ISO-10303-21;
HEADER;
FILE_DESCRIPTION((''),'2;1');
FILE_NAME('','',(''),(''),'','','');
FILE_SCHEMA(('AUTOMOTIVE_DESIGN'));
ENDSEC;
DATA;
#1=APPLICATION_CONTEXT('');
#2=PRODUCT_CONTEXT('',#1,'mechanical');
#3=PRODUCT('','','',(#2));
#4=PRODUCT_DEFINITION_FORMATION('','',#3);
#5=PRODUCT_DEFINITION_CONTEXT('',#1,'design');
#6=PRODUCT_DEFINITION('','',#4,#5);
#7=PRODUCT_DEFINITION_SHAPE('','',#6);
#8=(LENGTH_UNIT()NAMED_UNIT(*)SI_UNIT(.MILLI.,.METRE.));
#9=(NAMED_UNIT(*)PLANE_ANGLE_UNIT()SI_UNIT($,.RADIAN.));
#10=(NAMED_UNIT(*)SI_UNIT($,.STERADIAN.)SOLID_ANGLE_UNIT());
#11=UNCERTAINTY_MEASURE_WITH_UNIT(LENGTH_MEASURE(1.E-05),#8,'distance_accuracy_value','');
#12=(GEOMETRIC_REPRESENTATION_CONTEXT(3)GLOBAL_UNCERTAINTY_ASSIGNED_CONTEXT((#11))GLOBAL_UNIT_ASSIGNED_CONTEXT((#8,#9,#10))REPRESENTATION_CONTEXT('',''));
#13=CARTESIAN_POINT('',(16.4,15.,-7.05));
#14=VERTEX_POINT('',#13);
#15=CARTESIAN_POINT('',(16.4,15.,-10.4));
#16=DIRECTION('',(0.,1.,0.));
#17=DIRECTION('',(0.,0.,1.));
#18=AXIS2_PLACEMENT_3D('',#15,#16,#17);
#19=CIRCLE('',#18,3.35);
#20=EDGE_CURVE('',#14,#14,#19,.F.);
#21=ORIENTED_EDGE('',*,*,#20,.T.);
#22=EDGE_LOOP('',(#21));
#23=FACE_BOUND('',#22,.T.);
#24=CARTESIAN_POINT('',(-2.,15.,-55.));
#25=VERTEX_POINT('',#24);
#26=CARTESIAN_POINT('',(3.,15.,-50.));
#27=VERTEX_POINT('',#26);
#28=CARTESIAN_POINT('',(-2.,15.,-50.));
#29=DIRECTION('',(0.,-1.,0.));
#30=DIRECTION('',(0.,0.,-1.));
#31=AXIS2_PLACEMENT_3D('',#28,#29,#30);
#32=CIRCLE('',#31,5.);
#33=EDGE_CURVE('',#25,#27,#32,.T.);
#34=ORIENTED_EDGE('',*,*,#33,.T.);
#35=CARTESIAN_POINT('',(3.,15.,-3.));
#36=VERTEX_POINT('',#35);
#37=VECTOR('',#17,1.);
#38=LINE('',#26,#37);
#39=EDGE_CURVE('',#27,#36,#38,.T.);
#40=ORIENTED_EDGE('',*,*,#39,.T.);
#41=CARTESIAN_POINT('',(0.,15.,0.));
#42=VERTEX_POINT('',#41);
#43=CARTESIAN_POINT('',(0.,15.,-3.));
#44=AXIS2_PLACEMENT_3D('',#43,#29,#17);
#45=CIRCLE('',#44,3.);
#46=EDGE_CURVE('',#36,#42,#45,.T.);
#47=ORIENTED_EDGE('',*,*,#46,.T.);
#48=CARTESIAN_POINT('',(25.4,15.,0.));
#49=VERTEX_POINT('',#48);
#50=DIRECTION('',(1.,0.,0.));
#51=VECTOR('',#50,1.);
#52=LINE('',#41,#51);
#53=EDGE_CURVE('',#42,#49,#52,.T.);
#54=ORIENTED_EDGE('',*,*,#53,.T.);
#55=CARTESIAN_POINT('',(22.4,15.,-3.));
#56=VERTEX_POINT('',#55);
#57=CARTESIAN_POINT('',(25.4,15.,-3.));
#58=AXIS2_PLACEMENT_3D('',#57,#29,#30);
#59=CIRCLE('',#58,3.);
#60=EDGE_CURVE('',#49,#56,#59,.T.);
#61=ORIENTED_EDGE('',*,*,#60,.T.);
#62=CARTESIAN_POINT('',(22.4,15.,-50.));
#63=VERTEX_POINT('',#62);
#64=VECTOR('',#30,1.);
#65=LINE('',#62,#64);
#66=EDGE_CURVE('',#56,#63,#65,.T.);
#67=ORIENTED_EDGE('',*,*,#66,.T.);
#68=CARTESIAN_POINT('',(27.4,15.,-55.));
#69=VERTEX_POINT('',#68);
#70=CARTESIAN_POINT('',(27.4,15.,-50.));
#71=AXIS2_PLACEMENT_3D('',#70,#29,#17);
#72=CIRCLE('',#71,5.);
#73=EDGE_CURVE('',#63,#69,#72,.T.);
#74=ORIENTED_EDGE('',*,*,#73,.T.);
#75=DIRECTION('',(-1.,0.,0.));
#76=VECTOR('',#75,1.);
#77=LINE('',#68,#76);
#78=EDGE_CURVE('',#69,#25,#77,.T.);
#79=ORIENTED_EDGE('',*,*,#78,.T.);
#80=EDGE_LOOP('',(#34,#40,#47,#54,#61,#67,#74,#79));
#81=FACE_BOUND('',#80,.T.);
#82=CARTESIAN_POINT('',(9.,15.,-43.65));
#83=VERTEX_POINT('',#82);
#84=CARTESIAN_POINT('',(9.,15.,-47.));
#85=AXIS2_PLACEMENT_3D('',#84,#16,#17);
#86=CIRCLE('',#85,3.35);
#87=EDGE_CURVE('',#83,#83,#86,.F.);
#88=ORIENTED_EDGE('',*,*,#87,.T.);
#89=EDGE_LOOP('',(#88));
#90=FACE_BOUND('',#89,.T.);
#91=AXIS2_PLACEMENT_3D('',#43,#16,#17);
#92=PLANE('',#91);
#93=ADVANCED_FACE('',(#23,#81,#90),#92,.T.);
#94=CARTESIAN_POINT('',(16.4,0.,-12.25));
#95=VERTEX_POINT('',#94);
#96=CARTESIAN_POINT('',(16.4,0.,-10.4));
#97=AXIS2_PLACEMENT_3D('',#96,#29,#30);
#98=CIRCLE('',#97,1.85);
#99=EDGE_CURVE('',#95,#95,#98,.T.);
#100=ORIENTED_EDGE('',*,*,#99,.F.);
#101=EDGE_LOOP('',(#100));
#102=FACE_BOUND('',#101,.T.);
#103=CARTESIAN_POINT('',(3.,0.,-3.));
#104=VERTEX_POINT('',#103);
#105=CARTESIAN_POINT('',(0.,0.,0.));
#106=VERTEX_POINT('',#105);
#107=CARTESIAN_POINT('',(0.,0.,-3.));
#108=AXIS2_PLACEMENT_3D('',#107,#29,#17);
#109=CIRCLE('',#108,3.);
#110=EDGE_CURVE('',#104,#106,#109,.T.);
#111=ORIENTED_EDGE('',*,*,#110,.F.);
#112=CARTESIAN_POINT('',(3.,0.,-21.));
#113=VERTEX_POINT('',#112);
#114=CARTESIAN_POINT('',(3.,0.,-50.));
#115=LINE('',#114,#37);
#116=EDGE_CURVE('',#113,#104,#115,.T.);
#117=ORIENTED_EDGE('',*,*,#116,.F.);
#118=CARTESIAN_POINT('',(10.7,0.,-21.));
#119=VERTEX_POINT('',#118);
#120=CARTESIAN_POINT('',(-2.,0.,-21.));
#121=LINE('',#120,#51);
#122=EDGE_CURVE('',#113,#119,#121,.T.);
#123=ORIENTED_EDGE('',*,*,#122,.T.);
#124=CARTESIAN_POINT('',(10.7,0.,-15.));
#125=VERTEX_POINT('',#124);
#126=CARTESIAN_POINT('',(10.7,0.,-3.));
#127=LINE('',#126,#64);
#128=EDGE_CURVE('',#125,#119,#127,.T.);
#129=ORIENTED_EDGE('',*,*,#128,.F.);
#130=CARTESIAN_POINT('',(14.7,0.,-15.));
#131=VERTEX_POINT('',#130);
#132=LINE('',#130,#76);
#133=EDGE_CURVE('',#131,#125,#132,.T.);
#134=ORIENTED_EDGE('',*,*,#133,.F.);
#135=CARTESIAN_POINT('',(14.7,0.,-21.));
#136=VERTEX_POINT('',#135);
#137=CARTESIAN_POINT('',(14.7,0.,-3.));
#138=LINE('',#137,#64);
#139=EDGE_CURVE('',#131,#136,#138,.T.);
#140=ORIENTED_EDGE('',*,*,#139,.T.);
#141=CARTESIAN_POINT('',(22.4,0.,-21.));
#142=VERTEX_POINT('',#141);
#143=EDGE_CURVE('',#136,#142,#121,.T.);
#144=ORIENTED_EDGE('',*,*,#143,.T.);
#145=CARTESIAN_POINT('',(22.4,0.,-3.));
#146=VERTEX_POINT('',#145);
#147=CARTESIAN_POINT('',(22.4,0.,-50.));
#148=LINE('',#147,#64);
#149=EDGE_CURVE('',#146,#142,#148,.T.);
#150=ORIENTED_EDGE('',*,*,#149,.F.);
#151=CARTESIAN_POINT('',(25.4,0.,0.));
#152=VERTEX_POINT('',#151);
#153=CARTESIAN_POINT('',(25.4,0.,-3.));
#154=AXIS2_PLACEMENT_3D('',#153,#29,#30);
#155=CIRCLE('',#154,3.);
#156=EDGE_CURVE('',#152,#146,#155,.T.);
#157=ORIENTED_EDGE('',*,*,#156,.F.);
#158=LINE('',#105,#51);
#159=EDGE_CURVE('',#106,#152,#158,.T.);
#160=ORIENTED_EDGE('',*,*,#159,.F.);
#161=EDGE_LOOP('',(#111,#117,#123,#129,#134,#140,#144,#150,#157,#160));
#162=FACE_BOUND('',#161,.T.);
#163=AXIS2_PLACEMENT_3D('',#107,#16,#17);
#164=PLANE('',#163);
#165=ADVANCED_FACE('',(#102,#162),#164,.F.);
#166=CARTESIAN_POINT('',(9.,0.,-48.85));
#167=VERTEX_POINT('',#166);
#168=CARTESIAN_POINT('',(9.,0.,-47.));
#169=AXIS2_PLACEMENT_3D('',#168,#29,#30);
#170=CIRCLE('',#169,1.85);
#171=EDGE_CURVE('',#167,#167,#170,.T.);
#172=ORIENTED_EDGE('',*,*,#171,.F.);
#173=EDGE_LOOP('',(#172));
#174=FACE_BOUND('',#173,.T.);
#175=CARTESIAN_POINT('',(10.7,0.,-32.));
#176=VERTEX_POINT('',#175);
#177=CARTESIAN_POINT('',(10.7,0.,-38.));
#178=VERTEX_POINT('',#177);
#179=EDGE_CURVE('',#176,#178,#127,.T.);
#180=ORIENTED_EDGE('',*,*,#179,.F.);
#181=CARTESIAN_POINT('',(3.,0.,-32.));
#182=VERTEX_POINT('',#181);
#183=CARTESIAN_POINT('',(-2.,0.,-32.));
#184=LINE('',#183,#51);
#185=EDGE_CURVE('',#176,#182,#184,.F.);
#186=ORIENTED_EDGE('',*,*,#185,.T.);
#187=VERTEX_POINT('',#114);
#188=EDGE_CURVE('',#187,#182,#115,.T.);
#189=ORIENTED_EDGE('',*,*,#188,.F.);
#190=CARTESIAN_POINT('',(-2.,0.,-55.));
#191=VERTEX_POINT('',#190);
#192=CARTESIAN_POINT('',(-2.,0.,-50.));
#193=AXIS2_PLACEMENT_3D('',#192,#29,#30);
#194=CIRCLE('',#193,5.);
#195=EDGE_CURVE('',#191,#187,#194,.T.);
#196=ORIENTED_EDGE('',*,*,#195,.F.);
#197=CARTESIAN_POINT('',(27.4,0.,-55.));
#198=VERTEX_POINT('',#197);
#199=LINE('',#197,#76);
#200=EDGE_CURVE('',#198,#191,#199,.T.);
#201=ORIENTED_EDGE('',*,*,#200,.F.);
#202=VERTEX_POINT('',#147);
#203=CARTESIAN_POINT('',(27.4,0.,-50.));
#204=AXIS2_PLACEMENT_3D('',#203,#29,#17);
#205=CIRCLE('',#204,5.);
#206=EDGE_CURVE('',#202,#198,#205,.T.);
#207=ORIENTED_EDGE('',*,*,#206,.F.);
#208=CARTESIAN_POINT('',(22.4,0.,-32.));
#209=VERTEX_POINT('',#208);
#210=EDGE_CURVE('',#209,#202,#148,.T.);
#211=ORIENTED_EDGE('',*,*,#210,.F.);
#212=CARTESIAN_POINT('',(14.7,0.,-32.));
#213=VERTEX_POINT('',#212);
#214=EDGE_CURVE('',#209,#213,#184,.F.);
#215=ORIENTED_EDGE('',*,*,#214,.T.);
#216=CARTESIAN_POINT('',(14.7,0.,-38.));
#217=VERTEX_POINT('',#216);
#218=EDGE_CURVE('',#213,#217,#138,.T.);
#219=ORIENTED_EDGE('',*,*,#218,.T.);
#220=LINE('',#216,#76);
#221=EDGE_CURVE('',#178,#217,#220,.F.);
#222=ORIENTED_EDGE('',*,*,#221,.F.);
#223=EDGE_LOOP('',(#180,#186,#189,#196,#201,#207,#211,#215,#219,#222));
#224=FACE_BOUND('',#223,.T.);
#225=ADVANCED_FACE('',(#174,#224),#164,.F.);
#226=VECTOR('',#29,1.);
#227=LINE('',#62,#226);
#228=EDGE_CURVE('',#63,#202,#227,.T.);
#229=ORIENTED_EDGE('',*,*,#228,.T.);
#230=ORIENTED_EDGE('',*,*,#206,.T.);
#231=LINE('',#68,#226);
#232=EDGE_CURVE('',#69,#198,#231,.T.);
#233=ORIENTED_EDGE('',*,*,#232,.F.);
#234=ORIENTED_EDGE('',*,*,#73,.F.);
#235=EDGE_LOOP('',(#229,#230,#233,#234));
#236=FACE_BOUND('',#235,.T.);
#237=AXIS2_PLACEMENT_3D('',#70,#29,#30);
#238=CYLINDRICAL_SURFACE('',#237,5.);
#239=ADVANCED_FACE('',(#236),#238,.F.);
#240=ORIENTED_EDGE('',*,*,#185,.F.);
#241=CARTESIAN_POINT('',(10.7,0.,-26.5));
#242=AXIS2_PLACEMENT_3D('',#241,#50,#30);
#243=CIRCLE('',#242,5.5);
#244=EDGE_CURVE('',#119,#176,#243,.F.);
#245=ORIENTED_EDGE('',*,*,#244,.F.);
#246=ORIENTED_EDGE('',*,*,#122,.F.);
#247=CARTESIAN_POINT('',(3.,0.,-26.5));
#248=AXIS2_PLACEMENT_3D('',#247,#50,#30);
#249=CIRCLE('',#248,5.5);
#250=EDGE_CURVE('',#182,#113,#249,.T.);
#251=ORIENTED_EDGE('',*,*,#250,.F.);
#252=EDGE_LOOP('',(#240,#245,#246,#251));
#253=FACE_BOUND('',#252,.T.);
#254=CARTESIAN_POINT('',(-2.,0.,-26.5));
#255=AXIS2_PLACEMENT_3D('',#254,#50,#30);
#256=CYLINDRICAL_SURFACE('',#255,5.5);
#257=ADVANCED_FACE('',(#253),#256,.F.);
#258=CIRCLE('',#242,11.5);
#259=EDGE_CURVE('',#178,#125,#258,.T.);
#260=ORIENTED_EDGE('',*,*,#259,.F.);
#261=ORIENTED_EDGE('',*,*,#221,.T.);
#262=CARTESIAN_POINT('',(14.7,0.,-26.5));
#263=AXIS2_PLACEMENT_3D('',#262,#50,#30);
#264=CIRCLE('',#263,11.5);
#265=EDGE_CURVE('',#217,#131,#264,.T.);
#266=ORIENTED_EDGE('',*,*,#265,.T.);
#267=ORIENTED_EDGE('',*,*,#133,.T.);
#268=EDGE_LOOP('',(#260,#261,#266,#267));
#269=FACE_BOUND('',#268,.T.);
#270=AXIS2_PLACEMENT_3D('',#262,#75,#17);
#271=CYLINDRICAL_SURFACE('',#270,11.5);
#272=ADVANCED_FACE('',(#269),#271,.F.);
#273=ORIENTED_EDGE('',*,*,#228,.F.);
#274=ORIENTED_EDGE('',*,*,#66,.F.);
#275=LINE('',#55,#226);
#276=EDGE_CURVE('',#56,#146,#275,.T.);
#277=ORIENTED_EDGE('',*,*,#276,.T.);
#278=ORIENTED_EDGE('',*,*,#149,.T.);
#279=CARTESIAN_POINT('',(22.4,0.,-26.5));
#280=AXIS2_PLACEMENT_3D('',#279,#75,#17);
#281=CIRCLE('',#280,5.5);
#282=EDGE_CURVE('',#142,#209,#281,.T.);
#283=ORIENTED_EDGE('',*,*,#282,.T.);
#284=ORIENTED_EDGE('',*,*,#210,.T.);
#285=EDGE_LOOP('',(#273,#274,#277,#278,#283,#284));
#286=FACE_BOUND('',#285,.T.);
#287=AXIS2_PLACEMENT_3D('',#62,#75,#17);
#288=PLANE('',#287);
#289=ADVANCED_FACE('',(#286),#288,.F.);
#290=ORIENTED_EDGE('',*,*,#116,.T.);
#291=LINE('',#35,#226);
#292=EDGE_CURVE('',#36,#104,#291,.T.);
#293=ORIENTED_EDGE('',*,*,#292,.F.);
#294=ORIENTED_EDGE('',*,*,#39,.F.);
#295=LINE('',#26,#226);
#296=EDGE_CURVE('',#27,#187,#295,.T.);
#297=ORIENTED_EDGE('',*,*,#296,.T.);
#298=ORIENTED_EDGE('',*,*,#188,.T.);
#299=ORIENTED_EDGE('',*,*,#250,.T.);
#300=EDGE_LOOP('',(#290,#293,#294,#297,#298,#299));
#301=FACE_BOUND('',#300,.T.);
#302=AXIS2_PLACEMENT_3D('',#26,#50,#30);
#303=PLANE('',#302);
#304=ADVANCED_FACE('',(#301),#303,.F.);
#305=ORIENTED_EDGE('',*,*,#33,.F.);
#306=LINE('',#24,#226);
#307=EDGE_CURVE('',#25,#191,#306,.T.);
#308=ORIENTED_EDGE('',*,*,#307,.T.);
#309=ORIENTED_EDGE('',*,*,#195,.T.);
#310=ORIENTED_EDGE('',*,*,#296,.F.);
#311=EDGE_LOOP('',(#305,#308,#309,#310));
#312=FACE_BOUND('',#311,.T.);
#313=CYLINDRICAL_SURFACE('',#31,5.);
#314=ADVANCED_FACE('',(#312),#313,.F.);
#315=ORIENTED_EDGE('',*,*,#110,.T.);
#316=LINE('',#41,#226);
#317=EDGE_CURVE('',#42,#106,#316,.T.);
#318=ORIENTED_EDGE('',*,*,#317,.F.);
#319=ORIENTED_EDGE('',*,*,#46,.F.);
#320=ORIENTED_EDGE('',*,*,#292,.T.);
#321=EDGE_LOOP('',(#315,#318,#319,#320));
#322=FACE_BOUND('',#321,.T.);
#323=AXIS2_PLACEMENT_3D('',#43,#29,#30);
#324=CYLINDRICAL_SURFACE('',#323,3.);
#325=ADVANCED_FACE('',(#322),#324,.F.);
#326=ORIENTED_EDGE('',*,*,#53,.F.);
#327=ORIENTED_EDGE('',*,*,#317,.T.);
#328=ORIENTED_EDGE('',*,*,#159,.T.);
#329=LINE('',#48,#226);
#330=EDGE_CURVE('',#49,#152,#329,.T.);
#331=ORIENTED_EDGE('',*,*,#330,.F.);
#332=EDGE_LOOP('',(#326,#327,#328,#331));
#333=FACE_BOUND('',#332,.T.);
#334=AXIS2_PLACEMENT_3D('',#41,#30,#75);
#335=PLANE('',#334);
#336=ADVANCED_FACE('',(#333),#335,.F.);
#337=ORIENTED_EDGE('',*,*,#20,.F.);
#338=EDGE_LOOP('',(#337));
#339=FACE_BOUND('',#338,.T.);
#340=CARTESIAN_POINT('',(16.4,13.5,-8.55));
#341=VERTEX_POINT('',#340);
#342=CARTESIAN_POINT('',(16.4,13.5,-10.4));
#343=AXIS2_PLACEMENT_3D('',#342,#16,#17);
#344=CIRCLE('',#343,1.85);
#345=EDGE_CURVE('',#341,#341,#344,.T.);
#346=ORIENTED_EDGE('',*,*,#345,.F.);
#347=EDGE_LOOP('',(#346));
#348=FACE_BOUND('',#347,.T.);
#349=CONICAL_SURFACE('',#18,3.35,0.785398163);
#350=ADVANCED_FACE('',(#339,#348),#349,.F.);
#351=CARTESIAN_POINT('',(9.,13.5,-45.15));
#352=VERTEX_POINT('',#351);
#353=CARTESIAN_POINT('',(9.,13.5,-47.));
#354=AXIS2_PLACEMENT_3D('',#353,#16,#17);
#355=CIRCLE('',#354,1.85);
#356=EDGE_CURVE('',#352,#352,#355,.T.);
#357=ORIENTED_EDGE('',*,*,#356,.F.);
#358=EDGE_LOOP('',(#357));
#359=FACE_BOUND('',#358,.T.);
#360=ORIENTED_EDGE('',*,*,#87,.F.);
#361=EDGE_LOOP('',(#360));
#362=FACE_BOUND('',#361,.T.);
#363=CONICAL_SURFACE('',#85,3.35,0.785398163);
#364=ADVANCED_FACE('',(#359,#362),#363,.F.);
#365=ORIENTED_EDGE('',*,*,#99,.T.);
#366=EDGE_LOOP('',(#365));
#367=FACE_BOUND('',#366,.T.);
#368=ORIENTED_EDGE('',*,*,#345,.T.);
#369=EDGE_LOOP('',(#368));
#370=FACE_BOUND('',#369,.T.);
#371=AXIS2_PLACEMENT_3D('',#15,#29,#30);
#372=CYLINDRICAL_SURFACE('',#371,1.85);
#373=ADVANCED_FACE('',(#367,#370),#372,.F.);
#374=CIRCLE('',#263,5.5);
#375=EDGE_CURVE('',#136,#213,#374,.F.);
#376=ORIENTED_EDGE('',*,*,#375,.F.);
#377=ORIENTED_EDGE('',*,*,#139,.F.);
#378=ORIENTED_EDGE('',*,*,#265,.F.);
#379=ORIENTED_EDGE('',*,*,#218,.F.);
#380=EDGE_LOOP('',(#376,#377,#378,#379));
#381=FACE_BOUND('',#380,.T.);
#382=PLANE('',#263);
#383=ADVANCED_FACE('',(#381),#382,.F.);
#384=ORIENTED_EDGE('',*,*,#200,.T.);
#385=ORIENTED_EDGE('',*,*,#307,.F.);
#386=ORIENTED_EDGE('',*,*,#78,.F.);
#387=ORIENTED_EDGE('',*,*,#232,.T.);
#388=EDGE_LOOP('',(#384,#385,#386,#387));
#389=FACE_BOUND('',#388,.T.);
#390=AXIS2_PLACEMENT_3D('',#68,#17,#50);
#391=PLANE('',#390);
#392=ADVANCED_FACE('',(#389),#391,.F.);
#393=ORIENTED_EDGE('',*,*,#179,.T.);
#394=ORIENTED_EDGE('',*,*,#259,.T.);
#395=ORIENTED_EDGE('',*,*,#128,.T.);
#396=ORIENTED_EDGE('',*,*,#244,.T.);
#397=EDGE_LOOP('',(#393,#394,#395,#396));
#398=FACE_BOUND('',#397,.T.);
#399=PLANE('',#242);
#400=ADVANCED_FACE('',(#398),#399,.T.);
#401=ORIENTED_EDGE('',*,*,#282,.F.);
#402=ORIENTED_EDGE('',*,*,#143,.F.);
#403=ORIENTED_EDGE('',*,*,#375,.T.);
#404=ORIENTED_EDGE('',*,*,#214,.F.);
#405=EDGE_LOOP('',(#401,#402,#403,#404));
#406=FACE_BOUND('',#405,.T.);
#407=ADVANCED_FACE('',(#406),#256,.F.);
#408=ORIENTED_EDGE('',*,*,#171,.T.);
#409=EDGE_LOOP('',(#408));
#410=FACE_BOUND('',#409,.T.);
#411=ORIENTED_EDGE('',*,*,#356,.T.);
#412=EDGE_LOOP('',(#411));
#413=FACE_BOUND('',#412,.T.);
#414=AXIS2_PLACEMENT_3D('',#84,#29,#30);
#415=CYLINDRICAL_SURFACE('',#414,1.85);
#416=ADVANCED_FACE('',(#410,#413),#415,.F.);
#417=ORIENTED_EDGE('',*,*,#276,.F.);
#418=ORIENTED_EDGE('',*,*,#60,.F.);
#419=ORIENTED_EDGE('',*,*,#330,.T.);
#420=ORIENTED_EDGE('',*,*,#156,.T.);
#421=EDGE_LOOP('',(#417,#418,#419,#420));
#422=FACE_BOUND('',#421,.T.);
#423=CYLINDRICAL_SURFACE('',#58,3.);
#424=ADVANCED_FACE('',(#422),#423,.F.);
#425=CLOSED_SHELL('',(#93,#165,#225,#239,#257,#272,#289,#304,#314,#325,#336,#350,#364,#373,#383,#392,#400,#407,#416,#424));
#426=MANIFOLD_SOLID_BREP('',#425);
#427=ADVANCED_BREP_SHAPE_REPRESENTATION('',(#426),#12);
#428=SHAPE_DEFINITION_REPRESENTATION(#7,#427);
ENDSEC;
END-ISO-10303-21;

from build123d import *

# Parameters (mm, degrees)
RESSALTO_EXTRUS_O1_DEPTH   = 15
CORTE_EXTRUS_O1_DEPTH      = 59.873508474
CORTE_EXTRUS_O1_DEPTH_BACK = 59.873508474
ESBO_O3_R                  = 5.5
CORTE_EXTRUS_O2_DEPTH      = 2
CORTE_EXTRUS_O2_DEPTH_BACK = 2
ESBO_O4_R                  = 11.5
ESBO_O6_R                  = 1.85
CORTE_EXTRUS_O4_DEPTH      = 64.251561246
CHANFRO1_SIZE              = 1.5


with BuildPart() as part:
    # Esboço1 → Ressalto-extrusão1 (new body)
    with BuildSketch(Plane(origin=(0, 0, 0), x_dir=(1, 0, 0), z_dir=(0, 1, 0))):
        with BuildLine():
            Line((3, 50), (3, 3))
            ThreePointArc((3, 3), (2.121320344, 0.878679656), (0, 0))
            Line((0, 0), (25.4, 0))
            ThreePointArc((25.4, 0), (23.278679656, 0.878679656), (22.4, 3))
            Line((22.4, 3), (22.4, 50))
            ThreePointArc((22.4, 50), (23.864466094, 53.535533906), (27.4, 55))
            Line((27.4, 55), (-2, 55))
            ThreePointArc((-2, 55), (1.535533906, 53.535533906), (3, 50))
        make_face()
    extrude(amount=RESSALTO_EXTRUS_O1_DEPTH)

    # Esboço3 → Corte-extrusão1 (cut, two sides: drawn at the far end of the back side and taken through both)
    with BuildSketch(Plane(origin=(12.7, 0, 0), x_dir=(0, 0, -1), z_dir=(1, 0, 0)).offset(-CORTE_EXTRUS_O1_DEPTH_BACK)):
        with Locations((26.5, 0)):
            Circle(ESBO_O3_R)
    extrude(amount=CORTE_EXTRUS_O1_DEPTH + CORTE_EXTRUS_O1_DEPTH_BACK, mode=Mode.SUBTRACT)

    # Esboço4 → Corte-extrusão2 (cut, two sides: drawn at the far end of the back side and taken through both)
    with BuildSketch(Plane(origin=(12.7, 0, 0), x_dir=(0, 0, -1), z_dir=(1, 0, 0)).offset(-CORTE_EXTRUS_O2_DEPTH_BACK)):
        with Locations((26.5, 0)):
            Circle(ESBO_O4_R)
    extrude(amount=CORTE_EXTRUS_O2_DEPTH + CORTE_EXTRUS_O2_DEPTH_BACK, mode=Mode.SUBTRACT)

    # Esboço6 → Corte-extrusão4 (cut, through all)
    with BuildSketch(Plane.XZ):
        with Locations(Location((16.4, -10.4, 0), (0, 0, 270))):
            Circle(ESBO_O6_R)
        with Locations(Location((9, -47, 0), (0, 0, 270))):
            Circle(ESBO_O6_R)
    extrude(amount=-CORTE_EXTRUS_O4_DEPTH, mode=Mode.SUBTRACT)

    # Chanfro1
    chanfro1_edges = [part.edges().sort_by_distance(p)[0] for p in [
        (16.4, 15, -8.55),
        (9, 15, -45.15),
    ]]
    chamfer(chanfro1_edges, length=CHANFRO1_SIZE)


solid = part.part
